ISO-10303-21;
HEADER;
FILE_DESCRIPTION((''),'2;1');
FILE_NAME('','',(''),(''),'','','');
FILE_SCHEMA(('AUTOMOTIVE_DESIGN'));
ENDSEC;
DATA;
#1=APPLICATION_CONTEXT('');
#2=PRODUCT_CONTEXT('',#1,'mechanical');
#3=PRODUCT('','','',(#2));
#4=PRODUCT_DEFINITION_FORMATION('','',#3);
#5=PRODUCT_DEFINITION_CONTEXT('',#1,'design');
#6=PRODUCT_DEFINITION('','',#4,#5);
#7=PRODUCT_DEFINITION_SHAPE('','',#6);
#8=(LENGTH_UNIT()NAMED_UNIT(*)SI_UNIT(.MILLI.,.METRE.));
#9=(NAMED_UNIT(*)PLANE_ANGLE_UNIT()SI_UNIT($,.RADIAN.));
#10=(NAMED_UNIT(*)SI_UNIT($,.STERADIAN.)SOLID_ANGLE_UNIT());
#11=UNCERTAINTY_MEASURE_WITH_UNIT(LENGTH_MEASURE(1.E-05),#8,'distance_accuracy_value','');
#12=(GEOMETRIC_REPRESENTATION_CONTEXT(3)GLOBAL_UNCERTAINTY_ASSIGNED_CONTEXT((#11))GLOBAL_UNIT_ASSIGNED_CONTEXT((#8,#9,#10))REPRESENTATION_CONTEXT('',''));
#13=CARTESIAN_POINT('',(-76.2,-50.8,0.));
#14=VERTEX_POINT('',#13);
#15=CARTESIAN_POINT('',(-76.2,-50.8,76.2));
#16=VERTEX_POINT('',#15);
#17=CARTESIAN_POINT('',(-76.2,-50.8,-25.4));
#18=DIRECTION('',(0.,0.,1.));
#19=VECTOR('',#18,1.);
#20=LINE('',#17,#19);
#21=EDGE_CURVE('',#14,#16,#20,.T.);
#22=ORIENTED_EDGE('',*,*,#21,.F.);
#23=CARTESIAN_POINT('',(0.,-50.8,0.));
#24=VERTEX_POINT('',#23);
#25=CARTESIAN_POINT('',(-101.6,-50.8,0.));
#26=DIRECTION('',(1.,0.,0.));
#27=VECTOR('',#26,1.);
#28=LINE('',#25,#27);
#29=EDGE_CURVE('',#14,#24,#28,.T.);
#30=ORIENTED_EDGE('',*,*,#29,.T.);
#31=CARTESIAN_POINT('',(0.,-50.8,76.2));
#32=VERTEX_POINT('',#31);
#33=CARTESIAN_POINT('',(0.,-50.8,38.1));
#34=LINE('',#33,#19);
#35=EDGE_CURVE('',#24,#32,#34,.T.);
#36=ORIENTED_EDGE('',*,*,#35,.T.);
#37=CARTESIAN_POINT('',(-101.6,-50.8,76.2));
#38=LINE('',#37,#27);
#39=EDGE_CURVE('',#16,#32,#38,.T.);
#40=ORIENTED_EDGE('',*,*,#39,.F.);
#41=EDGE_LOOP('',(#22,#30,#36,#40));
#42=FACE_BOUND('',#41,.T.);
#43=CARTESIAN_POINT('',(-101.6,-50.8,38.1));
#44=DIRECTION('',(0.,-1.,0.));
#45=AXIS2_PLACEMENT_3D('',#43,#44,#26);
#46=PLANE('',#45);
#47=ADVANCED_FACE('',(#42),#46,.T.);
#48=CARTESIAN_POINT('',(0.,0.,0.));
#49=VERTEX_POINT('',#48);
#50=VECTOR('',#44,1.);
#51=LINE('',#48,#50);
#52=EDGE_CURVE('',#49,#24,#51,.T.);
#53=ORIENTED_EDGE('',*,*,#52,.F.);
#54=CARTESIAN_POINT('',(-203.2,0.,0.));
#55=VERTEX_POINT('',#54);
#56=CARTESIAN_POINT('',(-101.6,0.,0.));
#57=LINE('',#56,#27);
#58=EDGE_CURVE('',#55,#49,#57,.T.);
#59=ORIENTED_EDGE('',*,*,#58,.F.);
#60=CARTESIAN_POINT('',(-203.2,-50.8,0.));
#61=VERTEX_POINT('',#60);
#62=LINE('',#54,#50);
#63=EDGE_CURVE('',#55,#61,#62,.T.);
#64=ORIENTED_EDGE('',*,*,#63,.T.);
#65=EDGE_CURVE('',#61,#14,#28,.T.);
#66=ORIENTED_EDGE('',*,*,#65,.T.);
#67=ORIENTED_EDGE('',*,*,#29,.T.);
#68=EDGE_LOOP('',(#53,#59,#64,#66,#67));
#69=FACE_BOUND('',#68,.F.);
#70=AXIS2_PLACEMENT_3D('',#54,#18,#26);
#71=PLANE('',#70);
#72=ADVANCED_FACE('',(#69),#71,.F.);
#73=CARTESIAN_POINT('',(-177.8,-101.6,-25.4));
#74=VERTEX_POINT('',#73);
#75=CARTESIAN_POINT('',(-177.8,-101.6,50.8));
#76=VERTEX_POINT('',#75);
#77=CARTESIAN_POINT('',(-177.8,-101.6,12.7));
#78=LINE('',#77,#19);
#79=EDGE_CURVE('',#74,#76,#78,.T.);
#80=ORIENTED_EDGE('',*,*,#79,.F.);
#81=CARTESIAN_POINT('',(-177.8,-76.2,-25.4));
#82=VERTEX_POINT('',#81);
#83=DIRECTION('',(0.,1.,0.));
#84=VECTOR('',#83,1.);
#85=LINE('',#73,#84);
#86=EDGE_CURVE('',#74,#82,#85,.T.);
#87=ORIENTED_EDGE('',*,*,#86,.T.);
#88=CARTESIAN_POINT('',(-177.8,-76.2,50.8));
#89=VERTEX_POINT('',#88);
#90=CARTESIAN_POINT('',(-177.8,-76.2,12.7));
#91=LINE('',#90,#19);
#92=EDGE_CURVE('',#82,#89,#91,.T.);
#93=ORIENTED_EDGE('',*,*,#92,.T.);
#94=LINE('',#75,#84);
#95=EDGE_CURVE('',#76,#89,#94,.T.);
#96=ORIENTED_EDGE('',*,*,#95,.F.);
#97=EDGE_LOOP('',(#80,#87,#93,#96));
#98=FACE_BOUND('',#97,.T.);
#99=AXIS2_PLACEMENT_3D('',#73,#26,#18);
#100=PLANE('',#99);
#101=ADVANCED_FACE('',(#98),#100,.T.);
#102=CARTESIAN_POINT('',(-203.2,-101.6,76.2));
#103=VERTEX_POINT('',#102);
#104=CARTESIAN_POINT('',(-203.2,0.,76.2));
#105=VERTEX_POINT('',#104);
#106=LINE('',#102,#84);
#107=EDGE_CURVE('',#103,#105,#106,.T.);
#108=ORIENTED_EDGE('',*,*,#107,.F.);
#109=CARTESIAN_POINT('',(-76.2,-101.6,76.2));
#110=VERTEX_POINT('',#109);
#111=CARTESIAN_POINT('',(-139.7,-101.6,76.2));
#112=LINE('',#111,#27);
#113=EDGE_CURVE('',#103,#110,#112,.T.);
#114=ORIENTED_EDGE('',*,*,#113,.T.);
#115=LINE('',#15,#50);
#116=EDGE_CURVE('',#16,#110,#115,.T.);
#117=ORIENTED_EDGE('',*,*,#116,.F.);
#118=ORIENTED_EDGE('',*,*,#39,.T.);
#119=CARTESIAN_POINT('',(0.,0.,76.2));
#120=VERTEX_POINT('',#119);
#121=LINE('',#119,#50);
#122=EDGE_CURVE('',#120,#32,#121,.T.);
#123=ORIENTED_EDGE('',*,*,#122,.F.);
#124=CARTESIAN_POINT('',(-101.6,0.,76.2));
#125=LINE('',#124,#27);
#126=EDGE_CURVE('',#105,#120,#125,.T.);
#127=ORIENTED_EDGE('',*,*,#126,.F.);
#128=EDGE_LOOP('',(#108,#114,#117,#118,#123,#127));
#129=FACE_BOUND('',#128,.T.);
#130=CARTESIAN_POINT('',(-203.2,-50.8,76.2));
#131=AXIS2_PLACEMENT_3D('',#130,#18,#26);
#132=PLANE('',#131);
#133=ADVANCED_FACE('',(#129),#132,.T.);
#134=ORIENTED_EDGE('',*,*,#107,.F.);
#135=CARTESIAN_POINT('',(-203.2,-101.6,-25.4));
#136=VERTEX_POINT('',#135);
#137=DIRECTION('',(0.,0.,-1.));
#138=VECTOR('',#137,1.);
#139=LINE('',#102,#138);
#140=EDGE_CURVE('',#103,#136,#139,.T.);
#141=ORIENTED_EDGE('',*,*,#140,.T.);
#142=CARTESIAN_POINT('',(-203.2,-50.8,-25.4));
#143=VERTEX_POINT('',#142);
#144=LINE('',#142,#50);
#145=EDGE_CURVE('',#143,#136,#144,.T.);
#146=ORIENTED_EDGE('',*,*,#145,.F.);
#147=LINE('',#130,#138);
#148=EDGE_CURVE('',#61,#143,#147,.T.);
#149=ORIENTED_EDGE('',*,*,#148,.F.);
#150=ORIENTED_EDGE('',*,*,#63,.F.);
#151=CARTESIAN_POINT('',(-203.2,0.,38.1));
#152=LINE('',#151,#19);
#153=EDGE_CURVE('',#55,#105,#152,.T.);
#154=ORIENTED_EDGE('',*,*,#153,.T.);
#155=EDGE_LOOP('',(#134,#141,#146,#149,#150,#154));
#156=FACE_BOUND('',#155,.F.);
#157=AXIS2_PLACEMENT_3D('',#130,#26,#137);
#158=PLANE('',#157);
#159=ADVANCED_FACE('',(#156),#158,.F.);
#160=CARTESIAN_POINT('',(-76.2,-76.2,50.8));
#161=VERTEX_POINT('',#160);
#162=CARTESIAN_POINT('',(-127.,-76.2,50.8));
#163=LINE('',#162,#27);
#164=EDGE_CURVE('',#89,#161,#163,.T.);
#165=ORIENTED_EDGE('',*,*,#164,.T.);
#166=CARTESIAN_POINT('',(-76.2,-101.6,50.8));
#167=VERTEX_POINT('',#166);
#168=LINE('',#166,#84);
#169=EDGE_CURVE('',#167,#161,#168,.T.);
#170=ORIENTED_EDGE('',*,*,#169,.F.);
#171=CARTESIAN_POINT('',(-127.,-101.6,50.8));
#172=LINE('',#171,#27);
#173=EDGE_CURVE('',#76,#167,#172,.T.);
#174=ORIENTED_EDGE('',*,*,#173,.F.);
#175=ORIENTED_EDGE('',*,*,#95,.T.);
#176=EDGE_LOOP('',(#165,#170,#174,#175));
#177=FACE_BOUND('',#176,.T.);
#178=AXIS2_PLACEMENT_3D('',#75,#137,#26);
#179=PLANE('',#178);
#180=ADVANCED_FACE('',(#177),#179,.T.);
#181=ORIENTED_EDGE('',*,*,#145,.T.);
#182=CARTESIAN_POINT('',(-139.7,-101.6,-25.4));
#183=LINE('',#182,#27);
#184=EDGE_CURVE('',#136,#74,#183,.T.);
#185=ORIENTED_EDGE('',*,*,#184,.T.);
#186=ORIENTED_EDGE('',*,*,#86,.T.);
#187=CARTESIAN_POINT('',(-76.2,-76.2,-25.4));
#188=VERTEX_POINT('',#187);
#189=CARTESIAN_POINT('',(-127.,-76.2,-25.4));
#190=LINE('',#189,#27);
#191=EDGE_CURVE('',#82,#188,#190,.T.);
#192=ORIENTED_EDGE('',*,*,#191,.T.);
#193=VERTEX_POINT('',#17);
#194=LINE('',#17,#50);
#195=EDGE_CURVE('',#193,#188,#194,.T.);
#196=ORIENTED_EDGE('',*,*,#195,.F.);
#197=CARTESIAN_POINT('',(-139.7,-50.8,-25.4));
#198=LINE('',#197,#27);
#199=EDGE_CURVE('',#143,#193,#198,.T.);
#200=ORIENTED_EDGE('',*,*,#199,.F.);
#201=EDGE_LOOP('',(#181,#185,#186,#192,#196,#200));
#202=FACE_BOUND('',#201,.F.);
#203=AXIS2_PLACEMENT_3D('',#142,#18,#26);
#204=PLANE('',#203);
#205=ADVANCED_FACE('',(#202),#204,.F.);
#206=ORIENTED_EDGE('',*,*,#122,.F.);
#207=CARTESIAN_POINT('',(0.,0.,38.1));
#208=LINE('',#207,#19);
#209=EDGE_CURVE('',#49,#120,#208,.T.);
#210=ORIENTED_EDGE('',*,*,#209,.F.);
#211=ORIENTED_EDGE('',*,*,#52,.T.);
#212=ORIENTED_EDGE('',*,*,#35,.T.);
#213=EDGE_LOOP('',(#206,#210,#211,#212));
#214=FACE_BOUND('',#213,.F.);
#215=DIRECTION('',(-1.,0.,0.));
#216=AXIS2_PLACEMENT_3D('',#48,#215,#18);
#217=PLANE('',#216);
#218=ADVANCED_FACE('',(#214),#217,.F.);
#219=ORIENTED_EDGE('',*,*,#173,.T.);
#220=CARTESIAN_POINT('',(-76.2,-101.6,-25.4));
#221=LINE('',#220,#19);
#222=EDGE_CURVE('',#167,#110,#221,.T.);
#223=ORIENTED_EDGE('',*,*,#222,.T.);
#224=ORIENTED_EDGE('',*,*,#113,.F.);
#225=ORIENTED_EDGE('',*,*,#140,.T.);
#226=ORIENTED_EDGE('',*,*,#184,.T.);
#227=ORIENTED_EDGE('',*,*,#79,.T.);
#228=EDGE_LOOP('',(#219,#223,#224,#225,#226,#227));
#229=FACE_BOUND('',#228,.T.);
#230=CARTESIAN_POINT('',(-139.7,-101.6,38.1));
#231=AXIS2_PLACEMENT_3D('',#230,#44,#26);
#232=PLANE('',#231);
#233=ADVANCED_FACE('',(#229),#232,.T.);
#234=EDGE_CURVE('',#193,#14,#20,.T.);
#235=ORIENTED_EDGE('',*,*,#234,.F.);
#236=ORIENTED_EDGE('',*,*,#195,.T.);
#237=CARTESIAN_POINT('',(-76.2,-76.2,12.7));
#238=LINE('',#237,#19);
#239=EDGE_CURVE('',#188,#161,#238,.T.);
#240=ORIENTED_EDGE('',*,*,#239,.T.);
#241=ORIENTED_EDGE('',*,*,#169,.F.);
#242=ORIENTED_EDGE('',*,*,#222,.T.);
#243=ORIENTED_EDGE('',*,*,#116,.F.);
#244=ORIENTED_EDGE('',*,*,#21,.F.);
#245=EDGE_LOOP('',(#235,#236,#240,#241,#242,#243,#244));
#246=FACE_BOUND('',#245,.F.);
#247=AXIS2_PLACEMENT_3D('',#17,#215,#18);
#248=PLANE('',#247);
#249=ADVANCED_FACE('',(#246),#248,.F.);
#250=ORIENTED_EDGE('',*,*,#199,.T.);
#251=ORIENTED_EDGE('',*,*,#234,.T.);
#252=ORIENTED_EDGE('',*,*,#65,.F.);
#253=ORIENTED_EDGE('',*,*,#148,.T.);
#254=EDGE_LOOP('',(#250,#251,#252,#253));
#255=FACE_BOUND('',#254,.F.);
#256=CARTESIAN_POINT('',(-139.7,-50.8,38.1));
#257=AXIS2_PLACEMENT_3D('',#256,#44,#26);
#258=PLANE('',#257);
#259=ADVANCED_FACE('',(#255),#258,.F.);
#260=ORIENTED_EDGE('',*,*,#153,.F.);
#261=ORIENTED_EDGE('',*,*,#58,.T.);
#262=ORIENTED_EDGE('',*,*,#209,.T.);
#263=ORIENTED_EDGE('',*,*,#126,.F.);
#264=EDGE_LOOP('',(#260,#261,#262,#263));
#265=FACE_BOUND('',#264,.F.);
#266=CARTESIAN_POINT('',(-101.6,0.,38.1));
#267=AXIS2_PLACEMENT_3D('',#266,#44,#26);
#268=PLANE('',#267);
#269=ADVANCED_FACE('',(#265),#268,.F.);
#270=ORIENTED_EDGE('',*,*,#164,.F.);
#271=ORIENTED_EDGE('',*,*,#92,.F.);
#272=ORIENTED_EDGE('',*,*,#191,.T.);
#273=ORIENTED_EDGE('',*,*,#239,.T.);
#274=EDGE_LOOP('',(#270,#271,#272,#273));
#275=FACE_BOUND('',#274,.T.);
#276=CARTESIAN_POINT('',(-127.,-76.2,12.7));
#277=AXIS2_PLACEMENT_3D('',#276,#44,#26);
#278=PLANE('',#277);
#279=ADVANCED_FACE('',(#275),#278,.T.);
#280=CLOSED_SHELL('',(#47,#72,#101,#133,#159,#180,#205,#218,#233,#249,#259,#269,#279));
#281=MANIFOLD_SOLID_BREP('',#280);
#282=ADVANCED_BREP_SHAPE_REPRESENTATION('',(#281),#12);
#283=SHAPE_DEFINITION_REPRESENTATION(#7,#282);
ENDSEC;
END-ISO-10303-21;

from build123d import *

# Parameters (mm, degrees)
F0_W     = 203.2
F0_H     = 76.2
F1_DEPTH = 50.8
F2_W     = 127
F2_H     = 76.2
F2_H_2   = 25.4
F3_DEPTH = 50.8
F4_W     = 101.6
F4_H     = 76.2
F5_DEPTH = 25.4


with BuildPart() as f1:
    # F0 (on Front) → F1 (new body)
    with BuildSketch(Plane.XZ):
        with Locations((-101.6, 38.1)):
            Rectangle(F0_W, F0_H)
    extrude(amount=F1_DEPTH)

    # F2 (on face) → F3 (join)
    with BuildSketch(Plane.XZ.offset(50.8)):
        with Locations((-139.7, 38.1)):
            Rectangle(F2_W, F2_H)
        with Locations((-139.7, -12.7)):
            Rectangle(F2_W, F2_H_2)
    extrude(amount=F3_DEPTH)

    # F4 (on face) → F5 (cut)
    with BuildSketch(Plane.XZ.offset(101.6)):
        with Locations((-127, 12.7)):
            Rectangle(F4_W, F4_H)
    extrude(amount=-F5_DEPTH, mode=Mode.SUBTRACT)


solid = f1.part
